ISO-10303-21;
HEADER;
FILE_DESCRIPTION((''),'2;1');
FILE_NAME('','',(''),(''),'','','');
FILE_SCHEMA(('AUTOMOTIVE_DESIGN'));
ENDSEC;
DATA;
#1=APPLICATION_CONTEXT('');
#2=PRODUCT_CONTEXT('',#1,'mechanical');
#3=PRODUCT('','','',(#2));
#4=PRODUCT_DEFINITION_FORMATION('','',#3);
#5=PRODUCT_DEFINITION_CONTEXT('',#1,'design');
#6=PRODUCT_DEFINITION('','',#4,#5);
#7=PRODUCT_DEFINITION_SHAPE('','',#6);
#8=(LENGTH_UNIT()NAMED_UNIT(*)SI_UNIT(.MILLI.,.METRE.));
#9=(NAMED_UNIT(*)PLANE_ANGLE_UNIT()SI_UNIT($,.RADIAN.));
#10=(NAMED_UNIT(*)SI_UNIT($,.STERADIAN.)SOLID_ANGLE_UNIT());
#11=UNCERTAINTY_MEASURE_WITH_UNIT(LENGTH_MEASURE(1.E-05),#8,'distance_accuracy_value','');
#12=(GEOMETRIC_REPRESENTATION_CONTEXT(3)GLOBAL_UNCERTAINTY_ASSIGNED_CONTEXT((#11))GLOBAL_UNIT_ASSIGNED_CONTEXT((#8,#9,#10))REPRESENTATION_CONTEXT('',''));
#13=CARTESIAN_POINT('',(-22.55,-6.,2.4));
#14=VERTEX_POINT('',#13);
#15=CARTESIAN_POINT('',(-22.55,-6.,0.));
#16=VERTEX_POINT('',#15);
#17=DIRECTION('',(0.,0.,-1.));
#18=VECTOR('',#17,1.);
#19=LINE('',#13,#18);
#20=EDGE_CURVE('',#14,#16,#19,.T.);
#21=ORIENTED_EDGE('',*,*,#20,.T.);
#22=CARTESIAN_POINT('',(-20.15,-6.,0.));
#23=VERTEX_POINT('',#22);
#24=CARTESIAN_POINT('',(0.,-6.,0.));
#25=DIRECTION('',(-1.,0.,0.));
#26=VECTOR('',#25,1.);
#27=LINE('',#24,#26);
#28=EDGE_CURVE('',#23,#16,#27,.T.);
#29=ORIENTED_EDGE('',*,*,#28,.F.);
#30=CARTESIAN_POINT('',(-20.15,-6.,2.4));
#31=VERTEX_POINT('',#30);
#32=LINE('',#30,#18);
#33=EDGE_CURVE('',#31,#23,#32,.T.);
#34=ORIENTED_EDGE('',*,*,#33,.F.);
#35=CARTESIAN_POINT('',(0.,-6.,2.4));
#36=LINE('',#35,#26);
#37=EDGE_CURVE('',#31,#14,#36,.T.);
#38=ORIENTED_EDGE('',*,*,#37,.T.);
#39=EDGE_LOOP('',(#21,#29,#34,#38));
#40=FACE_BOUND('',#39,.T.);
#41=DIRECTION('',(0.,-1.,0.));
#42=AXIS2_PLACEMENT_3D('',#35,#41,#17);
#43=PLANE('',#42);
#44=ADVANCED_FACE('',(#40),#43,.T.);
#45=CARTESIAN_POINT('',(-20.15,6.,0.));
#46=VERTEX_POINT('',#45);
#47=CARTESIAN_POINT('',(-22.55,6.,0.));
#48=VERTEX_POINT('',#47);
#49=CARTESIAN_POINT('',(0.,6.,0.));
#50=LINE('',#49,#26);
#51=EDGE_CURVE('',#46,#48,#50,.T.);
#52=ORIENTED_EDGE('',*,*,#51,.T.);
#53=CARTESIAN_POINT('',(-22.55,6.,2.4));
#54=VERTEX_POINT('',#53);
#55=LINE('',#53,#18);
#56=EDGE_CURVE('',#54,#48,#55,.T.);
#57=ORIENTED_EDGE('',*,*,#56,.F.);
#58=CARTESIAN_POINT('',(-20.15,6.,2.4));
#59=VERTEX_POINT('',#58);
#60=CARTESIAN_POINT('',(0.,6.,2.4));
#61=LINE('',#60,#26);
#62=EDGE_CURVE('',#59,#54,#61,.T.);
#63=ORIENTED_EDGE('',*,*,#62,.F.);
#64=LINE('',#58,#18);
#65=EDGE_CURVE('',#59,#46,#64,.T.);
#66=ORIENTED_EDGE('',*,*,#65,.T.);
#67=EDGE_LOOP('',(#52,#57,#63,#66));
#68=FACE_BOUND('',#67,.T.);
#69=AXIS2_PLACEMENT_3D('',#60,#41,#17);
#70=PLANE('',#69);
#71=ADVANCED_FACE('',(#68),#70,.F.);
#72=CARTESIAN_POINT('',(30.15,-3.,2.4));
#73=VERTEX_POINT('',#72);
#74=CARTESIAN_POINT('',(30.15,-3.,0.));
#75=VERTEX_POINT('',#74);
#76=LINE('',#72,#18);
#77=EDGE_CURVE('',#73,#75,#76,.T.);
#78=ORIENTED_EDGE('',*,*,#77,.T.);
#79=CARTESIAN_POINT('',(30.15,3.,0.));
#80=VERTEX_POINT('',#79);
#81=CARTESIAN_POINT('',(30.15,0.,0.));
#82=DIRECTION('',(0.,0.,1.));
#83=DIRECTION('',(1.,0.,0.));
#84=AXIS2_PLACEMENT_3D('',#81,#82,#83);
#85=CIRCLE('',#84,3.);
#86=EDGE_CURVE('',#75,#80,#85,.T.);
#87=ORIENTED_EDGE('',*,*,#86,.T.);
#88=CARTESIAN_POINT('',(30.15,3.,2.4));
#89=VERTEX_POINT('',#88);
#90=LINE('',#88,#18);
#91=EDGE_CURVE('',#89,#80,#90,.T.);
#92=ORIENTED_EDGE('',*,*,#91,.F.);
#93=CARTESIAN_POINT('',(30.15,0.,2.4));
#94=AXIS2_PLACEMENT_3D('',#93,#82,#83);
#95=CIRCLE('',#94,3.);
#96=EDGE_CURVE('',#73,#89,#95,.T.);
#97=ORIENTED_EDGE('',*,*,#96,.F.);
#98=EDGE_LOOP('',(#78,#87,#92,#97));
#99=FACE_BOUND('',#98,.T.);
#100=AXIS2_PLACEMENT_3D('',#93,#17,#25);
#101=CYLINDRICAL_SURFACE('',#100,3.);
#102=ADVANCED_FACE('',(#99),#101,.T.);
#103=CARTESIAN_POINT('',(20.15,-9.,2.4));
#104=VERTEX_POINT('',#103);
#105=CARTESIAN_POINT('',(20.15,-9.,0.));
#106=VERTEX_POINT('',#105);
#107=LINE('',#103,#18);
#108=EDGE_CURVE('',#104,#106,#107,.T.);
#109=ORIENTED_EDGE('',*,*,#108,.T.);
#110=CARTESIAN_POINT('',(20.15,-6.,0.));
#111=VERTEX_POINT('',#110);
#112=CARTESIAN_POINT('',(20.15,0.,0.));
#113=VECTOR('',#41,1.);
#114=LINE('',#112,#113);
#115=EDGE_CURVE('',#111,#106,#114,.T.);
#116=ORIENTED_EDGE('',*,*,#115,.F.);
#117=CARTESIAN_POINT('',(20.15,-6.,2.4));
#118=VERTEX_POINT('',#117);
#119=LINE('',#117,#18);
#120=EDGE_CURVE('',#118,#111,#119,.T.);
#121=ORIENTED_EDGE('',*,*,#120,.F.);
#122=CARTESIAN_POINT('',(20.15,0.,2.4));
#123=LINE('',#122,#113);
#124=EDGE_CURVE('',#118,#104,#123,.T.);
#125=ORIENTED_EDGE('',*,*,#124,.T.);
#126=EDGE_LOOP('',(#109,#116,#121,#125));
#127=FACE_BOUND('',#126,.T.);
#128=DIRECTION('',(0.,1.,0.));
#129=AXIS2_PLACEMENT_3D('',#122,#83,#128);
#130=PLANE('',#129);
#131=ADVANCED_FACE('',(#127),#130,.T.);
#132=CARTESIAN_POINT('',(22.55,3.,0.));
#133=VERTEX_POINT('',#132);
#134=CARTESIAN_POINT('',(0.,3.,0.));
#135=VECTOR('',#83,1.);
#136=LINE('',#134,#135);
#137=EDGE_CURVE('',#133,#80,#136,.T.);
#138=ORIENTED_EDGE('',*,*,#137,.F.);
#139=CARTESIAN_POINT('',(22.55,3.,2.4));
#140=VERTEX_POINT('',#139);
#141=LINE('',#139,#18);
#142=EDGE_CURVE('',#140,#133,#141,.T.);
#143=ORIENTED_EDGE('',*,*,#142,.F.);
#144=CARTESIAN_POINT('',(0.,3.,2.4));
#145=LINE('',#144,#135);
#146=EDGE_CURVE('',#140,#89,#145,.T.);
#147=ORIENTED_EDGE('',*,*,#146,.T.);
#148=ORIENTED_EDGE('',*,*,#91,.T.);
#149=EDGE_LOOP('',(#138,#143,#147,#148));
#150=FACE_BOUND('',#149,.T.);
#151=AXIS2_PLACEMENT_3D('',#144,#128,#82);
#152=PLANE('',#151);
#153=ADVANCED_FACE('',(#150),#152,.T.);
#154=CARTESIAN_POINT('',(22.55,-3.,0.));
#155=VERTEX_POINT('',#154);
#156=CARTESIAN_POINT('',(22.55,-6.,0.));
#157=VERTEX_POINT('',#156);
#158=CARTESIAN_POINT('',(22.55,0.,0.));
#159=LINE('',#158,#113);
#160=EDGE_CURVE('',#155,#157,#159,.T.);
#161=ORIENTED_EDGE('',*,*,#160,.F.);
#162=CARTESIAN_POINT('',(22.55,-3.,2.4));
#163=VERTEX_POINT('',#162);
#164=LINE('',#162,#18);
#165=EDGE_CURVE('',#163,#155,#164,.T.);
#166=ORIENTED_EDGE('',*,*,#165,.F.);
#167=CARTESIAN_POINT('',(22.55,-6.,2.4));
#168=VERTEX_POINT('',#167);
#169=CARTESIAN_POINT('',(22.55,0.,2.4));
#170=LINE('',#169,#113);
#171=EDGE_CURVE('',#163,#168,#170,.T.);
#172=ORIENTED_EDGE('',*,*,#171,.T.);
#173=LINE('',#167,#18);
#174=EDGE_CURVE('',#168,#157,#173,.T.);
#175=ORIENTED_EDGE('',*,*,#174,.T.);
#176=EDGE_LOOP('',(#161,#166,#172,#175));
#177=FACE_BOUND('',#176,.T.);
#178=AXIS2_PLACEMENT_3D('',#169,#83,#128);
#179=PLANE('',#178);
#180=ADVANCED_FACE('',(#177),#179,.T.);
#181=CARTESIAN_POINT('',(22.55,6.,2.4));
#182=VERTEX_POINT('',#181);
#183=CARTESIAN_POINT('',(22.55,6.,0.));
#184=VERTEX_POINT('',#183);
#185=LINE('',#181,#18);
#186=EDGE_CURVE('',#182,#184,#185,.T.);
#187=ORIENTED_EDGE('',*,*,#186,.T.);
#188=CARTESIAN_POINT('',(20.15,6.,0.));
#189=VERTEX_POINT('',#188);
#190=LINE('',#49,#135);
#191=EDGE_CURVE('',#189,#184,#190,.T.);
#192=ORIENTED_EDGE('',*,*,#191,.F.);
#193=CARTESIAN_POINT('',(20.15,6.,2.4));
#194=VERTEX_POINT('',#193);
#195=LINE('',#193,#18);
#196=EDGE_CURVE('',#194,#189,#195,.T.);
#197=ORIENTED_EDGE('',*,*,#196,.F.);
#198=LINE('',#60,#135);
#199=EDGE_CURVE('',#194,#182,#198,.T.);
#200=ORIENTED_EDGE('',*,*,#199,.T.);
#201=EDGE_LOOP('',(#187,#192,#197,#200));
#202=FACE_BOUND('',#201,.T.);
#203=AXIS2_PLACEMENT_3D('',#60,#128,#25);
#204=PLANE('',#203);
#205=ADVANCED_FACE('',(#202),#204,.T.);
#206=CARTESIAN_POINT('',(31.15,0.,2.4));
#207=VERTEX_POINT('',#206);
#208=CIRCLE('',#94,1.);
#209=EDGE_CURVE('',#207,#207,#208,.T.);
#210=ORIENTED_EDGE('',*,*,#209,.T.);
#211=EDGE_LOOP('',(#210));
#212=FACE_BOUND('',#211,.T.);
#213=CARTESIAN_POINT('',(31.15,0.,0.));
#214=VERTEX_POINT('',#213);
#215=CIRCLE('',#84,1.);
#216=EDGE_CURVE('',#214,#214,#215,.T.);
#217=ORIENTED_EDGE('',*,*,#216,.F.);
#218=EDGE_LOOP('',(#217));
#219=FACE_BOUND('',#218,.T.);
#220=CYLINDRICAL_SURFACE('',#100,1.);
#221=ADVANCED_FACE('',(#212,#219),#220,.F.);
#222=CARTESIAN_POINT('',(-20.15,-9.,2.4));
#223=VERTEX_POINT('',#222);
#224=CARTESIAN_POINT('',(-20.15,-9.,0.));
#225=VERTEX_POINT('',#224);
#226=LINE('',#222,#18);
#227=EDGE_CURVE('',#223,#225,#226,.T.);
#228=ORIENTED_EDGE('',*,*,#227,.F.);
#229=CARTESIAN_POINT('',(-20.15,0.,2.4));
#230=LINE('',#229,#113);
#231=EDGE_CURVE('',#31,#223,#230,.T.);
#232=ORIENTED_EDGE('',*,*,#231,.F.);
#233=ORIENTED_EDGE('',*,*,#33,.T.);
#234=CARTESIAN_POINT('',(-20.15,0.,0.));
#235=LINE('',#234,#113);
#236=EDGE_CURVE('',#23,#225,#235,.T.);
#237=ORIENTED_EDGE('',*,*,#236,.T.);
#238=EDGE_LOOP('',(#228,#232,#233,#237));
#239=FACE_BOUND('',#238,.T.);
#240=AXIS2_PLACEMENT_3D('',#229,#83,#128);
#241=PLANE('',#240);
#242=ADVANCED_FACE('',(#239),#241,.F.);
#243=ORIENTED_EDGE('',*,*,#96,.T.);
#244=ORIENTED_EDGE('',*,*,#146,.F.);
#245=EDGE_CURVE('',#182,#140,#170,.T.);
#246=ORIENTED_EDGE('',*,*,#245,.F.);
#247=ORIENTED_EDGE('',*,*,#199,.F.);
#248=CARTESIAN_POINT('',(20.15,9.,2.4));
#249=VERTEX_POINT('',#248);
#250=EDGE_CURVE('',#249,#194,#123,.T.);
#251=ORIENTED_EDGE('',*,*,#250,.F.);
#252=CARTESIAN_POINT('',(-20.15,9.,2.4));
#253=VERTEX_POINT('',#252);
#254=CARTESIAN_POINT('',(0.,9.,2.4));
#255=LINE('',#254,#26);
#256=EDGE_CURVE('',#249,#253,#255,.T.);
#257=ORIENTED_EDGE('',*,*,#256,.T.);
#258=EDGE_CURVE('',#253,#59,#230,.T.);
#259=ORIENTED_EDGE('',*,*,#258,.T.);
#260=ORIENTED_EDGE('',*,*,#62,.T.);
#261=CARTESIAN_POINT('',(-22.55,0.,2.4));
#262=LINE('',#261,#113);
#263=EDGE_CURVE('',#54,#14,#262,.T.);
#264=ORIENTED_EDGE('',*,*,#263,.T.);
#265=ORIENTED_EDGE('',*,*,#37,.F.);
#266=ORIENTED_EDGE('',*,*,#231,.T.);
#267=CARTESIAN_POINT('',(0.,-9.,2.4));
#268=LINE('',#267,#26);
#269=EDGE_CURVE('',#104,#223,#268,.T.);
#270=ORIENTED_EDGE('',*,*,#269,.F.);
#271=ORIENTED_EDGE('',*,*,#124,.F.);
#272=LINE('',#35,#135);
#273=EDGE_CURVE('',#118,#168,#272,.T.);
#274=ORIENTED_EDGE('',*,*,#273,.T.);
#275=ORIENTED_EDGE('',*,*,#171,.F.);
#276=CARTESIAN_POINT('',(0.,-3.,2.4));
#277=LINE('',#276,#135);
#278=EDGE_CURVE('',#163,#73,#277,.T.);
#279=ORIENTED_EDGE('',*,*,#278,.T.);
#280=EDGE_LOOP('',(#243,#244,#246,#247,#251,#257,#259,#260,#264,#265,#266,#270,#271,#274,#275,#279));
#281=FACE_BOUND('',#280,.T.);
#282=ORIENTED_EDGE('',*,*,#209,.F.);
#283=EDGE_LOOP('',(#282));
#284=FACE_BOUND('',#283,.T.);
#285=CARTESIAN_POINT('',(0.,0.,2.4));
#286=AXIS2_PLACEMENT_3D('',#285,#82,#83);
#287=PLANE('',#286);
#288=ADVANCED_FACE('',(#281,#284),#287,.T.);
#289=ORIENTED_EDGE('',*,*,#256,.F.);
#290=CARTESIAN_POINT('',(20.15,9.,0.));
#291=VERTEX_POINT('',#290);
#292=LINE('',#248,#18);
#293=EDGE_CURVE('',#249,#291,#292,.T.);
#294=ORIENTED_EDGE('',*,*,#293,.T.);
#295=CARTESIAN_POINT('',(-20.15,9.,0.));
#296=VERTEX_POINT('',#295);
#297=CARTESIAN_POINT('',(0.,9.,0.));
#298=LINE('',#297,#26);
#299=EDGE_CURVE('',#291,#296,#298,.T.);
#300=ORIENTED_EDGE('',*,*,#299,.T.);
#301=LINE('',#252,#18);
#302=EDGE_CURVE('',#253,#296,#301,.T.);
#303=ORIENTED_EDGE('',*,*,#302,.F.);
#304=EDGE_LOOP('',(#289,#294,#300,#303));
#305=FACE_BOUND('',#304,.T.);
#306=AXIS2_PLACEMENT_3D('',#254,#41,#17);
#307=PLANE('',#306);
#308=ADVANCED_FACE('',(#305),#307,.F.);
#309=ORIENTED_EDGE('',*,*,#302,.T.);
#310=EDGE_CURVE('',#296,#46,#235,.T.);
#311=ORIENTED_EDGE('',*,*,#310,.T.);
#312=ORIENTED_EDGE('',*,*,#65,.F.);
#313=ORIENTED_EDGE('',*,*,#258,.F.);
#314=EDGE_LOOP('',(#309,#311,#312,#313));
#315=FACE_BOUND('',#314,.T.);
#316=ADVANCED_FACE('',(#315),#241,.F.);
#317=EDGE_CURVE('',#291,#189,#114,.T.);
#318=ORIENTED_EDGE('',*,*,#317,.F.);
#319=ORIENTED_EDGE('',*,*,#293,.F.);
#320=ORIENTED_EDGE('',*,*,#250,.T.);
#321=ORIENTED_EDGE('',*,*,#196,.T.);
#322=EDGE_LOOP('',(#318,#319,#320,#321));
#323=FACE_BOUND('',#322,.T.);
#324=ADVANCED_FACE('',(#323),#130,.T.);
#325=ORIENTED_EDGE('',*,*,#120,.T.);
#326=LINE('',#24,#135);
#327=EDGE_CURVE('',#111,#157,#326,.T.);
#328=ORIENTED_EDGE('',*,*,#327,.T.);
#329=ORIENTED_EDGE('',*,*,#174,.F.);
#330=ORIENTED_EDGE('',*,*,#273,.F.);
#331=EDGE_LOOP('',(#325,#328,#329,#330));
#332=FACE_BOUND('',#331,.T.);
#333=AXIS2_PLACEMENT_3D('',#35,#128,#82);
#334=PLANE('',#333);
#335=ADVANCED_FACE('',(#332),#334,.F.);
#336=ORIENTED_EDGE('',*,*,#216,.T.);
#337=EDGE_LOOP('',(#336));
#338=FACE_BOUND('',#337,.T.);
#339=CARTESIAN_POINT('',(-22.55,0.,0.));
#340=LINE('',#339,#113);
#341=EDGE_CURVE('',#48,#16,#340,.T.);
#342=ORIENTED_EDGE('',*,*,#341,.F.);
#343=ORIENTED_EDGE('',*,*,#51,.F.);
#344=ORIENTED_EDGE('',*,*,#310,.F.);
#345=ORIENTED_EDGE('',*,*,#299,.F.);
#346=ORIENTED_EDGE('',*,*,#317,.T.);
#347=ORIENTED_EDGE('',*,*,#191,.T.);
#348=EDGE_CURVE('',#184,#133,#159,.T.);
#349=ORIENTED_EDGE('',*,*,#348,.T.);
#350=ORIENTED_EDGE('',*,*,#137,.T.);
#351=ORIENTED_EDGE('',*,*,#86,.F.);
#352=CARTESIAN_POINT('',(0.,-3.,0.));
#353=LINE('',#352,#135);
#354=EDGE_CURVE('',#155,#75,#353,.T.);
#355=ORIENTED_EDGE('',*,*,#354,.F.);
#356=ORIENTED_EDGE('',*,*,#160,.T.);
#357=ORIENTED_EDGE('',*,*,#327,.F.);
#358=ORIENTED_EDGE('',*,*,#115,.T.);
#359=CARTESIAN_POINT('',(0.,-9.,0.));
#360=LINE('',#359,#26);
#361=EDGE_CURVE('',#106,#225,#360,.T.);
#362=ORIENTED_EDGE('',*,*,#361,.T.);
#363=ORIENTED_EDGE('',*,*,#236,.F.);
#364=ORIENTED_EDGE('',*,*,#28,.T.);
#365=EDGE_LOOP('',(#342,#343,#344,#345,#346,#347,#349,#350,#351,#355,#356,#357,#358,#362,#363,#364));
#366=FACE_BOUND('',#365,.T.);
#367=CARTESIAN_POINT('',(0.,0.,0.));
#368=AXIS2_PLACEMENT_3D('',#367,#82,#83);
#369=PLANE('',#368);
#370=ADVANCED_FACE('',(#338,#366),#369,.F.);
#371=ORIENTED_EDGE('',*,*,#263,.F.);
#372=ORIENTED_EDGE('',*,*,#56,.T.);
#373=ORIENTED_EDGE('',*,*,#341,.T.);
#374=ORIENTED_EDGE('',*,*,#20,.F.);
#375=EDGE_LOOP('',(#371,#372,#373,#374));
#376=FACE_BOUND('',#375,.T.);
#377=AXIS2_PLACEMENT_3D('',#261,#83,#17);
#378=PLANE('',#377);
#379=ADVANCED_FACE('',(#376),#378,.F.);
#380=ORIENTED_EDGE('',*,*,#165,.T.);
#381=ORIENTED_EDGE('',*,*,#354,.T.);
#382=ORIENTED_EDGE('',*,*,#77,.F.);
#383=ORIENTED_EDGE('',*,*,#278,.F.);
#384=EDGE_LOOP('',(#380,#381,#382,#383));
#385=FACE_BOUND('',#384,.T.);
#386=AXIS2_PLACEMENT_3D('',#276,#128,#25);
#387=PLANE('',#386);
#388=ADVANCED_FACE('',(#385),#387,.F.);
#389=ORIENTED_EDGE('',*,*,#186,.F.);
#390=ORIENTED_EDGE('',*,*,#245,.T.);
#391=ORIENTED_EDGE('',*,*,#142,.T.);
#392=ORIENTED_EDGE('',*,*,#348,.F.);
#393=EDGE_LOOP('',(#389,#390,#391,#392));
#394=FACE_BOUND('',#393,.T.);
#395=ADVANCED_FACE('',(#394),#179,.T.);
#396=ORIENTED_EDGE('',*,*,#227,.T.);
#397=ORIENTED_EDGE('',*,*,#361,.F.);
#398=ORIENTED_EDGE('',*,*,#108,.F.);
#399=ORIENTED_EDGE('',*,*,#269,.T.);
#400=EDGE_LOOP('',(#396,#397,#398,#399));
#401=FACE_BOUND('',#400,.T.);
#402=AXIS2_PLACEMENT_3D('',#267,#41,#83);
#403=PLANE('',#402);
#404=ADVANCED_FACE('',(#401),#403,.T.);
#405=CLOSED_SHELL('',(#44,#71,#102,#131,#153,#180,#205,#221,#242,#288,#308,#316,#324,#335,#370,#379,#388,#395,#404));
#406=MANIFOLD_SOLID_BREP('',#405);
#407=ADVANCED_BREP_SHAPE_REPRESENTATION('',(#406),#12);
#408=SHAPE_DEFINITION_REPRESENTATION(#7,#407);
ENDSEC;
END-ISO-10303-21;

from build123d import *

# Parameters (mm, degrees)
SKETCH1_R           = 1
BOSS_EXTRUDE1_DEPTH = 2.4


with BuildPart() as part:
    # Sketch1 → Boss-Extrude1 (new body)
    with BuildSketch(Plane.XY):
        with BuildLine():
            Line((22.55, -3), (30.15, -3))
            ThreePointArc((30.15, -3), (33.15, 0), (30.15, 3))
            Line((30.15, 3), (22.55, 3))
            Line((22.55, 3), (22.55, 6))
            Line((22.55, 6), (20.15, 6))
            Line((20.15, 6), (20.15, 9))
            Line((20.15, 9), (-20.15, 9))
            Line((-20.15, 9), (-20.15, 6))
            Line((-20.15, 6), (-22.55, 6))
            Line((-22.55, 6), (-22.55, -6))
            Line((-22.55, -6), (-20.15, -6))
            Line((-20.15, -6), (-20.15, -9))
            Line((-20.15, -9), (20.15, -9))
            Line((20.15, -9), (20.15, -6))
            Line((20.15, -6), (22.55, -6))
            Line((22.55, -6), (22.55, -3))
        make_face()
        with Locations((30.15, 0)):
            Circle(SKETCH1_R, mode=Mode.SUBTRACT)
    extrude(amount=BOSS_EXTRUDE1_DEPTH)


solid = part.part
